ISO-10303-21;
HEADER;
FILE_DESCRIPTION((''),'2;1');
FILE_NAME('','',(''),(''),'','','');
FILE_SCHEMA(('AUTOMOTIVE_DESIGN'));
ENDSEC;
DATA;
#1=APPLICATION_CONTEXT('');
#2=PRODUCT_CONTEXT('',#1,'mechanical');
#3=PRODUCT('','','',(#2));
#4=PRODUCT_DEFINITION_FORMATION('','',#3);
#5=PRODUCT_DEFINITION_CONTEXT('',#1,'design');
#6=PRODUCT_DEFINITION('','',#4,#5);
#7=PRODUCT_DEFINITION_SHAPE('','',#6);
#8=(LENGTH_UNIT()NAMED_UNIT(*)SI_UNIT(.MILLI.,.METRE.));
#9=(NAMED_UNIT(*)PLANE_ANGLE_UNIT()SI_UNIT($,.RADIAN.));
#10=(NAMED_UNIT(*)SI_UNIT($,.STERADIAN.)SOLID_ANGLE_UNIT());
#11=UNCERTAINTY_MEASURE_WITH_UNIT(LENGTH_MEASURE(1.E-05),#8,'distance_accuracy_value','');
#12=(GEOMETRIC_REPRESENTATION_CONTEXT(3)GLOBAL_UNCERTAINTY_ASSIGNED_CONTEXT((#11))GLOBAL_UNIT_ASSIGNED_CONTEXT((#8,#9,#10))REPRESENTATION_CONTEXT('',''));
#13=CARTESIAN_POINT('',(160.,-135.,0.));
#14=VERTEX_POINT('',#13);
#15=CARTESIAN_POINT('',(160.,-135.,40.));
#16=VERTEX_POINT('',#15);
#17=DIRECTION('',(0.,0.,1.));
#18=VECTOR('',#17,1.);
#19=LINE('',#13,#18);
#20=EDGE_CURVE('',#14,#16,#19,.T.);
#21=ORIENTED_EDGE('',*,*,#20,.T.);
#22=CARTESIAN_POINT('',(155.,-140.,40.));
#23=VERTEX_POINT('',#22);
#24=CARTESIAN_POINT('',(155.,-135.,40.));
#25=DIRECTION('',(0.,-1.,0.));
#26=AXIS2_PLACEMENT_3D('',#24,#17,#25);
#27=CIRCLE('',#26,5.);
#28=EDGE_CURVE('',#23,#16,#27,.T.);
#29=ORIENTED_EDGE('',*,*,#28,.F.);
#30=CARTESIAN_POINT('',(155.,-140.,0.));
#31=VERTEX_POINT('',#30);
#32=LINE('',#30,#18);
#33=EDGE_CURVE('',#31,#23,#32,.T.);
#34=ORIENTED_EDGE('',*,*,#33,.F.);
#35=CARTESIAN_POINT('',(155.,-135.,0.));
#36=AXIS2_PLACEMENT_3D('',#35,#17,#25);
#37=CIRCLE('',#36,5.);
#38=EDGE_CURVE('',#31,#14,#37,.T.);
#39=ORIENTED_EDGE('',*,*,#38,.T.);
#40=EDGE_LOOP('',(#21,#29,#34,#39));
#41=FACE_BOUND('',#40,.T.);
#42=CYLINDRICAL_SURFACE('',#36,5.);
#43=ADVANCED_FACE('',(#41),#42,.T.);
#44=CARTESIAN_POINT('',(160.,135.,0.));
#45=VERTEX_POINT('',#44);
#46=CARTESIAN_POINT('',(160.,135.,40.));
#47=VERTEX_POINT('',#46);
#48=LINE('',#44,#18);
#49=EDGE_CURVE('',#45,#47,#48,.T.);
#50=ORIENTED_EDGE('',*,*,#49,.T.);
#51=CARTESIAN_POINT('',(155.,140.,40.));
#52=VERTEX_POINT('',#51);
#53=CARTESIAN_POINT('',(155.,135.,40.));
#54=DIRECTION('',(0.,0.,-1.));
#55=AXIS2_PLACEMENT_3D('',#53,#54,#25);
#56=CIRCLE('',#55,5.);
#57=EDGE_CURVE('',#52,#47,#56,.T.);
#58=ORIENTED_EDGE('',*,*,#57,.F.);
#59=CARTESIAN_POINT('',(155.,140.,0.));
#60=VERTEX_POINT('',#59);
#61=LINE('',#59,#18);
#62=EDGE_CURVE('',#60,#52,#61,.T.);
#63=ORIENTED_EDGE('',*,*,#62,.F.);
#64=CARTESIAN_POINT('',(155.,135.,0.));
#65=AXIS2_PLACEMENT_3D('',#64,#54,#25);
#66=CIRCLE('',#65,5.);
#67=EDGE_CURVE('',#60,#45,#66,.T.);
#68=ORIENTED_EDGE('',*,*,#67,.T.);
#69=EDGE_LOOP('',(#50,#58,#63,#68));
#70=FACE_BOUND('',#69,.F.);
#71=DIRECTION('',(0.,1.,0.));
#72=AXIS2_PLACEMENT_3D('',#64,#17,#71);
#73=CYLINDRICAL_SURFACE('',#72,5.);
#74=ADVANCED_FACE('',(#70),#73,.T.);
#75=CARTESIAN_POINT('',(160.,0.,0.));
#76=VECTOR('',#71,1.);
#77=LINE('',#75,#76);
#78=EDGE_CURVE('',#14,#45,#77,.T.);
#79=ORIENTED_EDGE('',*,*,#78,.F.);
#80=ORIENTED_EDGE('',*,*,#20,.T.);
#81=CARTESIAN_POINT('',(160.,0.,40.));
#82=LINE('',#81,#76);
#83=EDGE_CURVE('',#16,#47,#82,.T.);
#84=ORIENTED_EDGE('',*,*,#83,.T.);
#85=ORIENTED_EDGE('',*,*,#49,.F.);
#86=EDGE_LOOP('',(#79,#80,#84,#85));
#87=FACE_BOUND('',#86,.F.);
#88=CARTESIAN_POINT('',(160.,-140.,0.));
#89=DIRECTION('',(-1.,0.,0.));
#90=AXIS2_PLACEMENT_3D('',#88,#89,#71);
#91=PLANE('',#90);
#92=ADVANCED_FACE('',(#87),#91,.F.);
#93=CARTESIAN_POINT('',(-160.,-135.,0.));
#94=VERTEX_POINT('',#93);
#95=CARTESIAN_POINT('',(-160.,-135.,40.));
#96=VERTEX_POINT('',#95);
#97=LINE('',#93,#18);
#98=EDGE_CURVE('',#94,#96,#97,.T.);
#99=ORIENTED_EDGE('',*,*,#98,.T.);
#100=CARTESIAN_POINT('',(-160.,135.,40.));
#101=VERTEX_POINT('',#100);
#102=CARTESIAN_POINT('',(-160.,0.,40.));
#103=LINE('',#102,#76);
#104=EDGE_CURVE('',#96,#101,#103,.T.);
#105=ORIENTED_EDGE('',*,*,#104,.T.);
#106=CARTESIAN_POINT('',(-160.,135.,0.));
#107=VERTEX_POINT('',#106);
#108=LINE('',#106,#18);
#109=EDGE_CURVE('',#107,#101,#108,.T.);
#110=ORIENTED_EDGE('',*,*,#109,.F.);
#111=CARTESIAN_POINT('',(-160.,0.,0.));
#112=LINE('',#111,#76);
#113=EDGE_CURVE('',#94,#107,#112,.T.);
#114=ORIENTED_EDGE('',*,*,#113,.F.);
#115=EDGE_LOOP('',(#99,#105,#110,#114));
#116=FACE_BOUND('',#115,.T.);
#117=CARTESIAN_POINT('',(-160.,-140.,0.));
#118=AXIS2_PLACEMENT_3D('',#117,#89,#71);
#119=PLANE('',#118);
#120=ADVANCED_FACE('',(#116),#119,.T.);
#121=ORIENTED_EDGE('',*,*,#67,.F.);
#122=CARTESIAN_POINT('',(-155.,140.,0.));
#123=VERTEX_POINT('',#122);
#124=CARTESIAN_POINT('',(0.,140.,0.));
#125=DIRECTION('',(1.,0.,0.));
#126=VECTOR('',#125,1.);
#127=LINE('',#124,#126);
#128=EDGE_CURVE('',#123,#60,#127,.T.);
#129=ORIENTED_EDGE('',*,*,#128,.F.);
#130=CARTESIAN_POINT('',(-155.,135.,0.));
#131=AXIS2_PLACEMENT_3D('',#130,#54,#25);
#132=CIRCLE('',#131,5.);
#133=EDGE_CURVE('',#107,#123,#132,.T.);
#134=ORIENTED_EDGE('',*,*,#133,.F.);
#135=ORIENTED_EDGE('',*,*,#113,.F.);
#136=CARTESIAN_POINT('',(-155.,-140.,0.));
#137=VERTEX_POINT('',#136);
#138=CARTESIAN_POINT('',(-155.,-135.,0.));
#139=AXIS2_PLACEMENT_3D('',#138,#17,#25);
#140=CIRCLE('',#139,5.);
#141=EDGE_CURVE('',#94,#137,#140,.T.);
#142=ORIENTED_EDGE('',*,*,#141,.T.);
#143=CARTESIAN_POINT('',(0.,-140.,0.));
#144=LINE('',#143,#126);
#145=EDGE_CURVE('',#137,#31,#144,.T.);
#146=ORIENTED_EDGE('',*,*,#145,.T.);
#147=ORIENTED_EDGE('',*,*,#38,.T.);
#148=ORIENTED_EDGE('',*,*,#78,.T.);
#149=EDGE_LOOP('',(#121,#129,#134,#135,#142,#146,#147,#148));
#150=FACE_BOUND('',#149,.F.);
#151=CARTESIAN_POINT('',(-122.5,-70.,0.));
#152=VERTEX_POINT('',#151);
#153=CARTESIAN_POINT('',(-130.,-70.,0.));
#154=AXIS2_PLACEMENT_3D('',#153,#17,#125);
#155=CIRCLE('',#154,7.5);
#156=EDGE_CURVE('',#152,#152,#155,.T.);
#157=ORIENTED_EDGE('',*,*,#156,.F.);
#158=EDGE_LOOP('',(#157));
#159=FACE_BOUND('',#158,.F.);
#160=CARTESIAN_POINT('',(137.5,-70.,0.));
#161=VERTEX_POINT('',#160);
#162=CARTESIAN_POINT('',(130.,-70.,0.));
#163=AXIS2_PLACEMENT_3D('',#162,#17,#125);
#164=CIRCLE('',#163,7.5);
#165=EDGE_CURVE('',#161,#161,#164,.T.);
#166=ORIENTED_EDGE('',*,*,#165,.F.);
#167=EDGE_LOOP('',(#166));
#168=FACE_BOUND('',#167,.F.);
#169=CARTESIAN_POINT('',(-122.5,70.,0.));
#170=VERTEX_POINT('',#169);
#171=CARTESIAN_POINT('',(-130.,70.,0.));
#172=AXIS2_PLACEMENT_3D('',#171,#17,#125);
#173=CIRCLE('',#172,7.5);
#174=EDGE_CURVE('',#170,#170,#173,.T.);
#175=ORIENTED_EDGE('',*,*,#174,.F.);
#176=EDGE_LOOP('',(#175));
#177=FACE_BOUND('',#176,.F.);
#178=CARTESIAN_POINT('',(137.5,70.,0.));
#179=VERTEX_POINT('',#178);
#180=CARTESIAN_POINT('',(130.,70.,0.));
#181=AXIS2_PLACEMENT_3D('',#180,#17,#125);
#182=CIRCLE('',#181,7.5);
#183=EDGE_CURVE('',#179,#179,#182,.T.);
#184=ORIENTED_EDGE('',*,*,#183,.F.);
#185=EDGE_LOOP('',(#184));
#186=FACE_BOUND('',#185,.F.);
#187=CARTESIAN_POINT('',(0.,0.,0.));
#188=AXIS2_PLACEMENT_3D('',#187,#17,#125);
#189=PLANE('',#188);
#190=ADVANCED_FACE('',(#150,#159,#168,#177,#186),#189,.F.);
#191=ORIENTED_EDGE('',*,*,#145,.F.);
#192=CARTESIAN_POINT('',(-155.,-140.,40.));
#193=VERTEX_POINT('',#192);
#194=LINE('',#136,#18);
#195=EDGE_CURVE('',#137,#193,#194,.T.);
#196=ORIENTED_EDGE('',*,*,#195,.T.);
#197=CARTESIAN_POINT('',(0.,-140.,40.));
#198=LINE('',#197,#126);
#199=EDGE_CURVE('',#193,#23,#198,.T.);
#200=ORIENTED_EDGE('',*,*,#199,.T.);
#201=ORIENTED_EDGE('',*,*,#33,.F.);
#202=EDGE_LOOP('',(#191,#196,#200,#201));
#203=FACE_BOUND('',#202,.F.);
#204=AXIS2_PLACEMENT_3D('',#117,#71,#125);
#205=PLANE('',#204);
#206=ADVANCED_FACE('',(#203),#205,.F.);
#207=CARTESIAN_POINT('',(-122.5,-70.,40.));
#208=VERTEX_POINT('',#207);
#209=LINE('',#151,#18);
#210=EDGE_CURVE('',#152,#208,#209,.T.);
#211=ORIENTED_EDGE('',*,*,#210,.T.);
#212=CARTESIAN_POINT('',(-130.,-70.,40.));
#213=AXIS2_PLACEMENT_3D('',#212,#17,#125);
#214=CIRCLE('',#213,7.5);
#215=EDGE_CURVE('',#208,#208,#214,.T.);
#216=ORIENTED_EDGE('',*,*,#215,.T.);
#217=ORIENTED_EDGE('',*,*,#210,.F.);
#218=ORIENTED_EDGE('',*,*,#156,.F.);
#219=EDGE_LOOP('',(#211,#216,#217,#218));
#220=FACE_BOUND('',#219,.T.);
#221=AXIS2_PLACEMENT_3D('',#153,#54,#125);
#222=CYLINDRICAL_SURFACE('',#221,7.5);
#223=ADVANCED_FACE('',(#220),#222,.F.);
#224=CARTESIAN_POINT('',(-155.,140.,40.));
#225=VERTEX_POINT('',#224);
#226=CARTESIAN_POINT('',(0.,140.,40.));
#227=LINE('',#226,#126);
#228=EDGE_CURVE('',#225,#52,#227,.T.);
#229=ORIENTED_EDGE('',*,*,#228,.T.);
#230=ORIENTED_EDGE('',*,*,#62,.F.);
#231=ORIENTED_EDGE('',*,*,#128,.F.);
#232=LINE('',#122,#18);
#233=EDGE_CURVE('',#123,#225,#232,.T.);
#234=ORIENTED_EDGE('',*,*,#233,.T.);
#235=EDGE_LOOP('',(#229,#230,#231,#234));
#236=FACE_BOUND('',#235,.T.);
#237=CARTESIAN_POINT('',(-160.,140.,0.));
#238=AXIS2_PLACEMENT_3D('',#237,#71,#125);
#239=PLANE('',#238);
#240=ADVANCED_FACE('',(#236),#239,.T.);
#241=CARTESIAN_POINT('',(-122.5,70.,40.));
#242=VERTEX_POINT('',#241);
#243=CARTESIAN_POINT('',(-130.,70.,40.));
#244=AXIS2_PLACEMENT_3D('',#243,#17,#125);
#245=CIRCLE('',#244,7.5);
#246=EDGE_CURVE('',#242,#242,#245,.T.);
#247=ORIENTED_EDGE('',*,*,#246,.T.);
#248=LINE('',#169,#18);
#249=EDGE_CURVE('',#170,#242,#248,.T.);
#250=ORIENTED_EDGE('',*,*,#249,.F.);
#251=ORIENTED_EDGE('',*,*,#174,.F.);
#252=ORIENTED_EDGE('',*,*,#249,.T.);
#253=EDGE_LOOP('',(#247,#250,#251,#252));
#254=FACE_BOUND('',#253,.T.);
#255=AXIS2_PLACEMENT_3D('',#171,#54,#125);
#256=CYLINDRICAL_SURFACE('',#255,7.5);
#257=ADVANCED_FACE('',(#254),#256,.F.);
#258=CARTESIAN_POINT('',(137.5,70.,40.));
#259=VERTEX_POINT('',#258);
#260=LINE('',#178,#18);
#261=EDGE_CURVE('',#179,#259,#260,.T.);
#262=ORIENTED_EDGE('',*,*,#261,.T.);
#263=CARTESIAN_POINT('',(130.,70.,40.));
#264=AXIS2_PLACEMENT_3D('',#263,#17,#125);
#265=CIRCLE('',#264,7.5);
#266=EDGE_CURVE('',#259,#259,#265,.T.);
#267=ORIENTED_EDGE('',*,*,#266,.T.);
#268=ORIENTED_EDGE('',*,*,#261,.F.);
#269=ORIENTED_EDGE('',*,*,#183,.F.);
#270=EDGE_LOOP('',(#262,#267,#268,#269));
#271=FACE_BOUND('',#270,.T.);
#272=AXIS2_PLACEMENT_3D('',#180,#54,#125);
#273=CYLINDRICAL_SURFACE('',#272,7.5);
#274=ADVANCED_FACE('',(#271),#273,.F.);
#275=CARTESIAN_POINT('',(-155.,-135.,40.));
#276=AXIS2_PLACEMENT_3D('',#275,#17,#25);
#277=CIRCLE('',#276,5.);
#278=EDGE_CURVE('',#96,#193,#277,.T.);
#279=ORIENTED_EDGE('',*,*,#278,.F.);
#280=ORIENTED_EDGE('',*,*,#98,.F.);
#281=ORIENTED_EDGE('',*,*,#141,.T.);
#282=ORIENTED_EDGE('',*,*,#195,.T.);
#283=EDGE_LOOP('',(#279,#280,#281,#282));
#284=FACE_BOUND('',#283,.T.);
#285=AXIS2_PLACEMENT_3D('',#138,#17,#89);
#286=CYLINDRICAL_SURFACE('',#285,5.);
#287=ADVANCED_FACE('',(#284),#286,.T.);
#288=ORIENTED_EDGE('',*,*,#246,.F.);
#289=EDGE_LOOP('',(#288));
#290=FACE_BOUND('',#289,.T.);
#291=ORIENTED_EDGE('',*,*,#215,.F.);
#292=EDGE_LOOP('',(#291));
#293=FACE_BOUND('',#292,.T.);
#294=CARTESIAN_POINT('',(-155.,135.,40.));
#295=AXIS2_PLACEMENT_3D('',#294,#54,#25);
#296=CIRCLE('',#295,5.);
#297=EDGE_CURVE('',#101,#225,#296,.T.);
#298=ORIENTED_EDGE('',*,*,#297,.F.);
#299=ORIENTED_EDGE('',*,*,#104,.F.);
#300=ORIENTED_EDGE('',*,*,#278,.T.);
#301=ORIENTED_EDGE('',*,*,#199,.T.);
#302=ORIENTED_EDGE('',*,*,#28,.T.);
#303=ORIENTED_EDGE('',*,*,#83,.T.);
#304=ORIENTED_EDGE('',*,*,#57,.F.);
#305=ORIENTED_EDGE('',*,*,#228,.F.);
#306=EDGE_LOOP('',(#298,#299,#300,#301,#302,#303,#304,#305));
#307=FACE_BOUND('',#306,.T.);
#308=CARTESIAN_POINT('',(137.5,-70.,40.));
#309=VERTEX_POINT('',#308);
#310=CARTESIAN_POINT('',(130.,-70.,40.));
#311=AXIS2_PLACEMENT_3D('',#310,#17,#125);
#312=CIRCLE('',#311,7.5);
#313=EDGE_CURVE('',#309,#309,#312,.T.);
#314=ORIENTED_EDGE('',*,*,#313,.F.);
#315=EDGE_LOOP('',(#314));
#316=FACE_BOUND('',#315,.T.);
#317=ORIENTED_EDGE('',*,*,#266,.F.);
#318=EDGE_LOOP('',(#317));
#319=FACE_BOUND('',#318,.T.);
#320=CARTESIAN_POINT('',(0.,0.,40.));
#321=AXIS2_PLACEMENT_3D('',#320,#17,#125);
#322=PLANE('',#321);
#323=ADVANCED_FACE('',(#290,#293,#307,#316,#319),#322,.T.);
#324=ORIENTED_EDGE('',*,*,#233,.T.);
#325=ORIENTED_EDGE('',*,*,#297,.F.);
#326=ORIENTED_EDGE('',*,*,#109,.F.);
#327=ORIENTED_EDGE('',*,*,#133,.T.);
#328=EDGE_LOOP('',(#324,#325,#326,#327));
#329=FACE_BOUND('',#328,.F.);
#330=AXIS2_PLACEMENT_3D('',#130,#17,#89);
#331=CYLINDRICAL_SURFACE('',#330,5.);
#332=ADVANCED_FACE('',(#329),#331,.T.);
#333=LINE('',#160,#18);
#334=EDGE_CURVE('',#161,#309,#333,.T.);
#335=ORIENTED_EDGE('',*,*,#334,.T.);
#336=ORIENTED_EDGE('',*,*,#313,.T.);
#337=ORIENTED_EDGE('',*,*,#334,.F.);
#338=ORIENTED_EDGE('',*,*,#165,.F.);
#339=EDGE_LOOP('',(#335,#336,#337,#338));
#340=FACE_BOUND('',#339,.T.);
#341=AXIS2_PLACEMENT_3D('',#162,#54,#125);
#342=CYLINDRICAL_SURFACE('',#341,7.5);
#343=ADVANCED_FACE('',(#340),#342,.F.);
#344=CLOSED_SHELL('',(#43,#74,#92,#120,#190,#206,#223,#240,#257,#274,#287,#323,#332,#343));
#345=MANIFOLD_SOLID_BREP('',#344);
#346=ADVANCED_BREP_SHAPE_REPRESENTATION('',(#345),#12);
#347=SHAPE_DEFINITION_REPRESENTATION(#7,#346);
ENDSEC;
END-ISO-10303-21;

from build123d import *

# Parameters (mm, degrees)
F0_W     = 320
F0_H     = 280
F0_R     = 7.5
F1_DEPTH = 40
F2_R     = 5


with BuildPart() as f1:
    # F0 (on Top) → F1 (new body)
    with BuildSketch(Plane.XY):
        Rectangle(F0_W, F0_H)
        with Locations((-130, -70)):
            Circle(F0_R, mode=Mode.SUBTRACT)
        with Locations((130, -70)):
            Circle(F0_R, mode=Mode.SUBTRACT)
        with Locations((-130, 70)):
            Circle(F0_R, mode=Mode.SUBTRACT)
        with Locations((130, 70)):
            Circle(F0_R, mode=Mode.SUBTRACT)
    extrude(amount=F1_DEPTH)

    # F2
    f2_edges = [f1.edges().sort_by_distance(p)[0] for p in [
        (-160, -140, 20),
        (160, -140, 20),
        (160, 140, 20),
        (-160, 140, 20),
    ]]
    fillet(f2_edges, radius=F2_R)


solid = f1.part
